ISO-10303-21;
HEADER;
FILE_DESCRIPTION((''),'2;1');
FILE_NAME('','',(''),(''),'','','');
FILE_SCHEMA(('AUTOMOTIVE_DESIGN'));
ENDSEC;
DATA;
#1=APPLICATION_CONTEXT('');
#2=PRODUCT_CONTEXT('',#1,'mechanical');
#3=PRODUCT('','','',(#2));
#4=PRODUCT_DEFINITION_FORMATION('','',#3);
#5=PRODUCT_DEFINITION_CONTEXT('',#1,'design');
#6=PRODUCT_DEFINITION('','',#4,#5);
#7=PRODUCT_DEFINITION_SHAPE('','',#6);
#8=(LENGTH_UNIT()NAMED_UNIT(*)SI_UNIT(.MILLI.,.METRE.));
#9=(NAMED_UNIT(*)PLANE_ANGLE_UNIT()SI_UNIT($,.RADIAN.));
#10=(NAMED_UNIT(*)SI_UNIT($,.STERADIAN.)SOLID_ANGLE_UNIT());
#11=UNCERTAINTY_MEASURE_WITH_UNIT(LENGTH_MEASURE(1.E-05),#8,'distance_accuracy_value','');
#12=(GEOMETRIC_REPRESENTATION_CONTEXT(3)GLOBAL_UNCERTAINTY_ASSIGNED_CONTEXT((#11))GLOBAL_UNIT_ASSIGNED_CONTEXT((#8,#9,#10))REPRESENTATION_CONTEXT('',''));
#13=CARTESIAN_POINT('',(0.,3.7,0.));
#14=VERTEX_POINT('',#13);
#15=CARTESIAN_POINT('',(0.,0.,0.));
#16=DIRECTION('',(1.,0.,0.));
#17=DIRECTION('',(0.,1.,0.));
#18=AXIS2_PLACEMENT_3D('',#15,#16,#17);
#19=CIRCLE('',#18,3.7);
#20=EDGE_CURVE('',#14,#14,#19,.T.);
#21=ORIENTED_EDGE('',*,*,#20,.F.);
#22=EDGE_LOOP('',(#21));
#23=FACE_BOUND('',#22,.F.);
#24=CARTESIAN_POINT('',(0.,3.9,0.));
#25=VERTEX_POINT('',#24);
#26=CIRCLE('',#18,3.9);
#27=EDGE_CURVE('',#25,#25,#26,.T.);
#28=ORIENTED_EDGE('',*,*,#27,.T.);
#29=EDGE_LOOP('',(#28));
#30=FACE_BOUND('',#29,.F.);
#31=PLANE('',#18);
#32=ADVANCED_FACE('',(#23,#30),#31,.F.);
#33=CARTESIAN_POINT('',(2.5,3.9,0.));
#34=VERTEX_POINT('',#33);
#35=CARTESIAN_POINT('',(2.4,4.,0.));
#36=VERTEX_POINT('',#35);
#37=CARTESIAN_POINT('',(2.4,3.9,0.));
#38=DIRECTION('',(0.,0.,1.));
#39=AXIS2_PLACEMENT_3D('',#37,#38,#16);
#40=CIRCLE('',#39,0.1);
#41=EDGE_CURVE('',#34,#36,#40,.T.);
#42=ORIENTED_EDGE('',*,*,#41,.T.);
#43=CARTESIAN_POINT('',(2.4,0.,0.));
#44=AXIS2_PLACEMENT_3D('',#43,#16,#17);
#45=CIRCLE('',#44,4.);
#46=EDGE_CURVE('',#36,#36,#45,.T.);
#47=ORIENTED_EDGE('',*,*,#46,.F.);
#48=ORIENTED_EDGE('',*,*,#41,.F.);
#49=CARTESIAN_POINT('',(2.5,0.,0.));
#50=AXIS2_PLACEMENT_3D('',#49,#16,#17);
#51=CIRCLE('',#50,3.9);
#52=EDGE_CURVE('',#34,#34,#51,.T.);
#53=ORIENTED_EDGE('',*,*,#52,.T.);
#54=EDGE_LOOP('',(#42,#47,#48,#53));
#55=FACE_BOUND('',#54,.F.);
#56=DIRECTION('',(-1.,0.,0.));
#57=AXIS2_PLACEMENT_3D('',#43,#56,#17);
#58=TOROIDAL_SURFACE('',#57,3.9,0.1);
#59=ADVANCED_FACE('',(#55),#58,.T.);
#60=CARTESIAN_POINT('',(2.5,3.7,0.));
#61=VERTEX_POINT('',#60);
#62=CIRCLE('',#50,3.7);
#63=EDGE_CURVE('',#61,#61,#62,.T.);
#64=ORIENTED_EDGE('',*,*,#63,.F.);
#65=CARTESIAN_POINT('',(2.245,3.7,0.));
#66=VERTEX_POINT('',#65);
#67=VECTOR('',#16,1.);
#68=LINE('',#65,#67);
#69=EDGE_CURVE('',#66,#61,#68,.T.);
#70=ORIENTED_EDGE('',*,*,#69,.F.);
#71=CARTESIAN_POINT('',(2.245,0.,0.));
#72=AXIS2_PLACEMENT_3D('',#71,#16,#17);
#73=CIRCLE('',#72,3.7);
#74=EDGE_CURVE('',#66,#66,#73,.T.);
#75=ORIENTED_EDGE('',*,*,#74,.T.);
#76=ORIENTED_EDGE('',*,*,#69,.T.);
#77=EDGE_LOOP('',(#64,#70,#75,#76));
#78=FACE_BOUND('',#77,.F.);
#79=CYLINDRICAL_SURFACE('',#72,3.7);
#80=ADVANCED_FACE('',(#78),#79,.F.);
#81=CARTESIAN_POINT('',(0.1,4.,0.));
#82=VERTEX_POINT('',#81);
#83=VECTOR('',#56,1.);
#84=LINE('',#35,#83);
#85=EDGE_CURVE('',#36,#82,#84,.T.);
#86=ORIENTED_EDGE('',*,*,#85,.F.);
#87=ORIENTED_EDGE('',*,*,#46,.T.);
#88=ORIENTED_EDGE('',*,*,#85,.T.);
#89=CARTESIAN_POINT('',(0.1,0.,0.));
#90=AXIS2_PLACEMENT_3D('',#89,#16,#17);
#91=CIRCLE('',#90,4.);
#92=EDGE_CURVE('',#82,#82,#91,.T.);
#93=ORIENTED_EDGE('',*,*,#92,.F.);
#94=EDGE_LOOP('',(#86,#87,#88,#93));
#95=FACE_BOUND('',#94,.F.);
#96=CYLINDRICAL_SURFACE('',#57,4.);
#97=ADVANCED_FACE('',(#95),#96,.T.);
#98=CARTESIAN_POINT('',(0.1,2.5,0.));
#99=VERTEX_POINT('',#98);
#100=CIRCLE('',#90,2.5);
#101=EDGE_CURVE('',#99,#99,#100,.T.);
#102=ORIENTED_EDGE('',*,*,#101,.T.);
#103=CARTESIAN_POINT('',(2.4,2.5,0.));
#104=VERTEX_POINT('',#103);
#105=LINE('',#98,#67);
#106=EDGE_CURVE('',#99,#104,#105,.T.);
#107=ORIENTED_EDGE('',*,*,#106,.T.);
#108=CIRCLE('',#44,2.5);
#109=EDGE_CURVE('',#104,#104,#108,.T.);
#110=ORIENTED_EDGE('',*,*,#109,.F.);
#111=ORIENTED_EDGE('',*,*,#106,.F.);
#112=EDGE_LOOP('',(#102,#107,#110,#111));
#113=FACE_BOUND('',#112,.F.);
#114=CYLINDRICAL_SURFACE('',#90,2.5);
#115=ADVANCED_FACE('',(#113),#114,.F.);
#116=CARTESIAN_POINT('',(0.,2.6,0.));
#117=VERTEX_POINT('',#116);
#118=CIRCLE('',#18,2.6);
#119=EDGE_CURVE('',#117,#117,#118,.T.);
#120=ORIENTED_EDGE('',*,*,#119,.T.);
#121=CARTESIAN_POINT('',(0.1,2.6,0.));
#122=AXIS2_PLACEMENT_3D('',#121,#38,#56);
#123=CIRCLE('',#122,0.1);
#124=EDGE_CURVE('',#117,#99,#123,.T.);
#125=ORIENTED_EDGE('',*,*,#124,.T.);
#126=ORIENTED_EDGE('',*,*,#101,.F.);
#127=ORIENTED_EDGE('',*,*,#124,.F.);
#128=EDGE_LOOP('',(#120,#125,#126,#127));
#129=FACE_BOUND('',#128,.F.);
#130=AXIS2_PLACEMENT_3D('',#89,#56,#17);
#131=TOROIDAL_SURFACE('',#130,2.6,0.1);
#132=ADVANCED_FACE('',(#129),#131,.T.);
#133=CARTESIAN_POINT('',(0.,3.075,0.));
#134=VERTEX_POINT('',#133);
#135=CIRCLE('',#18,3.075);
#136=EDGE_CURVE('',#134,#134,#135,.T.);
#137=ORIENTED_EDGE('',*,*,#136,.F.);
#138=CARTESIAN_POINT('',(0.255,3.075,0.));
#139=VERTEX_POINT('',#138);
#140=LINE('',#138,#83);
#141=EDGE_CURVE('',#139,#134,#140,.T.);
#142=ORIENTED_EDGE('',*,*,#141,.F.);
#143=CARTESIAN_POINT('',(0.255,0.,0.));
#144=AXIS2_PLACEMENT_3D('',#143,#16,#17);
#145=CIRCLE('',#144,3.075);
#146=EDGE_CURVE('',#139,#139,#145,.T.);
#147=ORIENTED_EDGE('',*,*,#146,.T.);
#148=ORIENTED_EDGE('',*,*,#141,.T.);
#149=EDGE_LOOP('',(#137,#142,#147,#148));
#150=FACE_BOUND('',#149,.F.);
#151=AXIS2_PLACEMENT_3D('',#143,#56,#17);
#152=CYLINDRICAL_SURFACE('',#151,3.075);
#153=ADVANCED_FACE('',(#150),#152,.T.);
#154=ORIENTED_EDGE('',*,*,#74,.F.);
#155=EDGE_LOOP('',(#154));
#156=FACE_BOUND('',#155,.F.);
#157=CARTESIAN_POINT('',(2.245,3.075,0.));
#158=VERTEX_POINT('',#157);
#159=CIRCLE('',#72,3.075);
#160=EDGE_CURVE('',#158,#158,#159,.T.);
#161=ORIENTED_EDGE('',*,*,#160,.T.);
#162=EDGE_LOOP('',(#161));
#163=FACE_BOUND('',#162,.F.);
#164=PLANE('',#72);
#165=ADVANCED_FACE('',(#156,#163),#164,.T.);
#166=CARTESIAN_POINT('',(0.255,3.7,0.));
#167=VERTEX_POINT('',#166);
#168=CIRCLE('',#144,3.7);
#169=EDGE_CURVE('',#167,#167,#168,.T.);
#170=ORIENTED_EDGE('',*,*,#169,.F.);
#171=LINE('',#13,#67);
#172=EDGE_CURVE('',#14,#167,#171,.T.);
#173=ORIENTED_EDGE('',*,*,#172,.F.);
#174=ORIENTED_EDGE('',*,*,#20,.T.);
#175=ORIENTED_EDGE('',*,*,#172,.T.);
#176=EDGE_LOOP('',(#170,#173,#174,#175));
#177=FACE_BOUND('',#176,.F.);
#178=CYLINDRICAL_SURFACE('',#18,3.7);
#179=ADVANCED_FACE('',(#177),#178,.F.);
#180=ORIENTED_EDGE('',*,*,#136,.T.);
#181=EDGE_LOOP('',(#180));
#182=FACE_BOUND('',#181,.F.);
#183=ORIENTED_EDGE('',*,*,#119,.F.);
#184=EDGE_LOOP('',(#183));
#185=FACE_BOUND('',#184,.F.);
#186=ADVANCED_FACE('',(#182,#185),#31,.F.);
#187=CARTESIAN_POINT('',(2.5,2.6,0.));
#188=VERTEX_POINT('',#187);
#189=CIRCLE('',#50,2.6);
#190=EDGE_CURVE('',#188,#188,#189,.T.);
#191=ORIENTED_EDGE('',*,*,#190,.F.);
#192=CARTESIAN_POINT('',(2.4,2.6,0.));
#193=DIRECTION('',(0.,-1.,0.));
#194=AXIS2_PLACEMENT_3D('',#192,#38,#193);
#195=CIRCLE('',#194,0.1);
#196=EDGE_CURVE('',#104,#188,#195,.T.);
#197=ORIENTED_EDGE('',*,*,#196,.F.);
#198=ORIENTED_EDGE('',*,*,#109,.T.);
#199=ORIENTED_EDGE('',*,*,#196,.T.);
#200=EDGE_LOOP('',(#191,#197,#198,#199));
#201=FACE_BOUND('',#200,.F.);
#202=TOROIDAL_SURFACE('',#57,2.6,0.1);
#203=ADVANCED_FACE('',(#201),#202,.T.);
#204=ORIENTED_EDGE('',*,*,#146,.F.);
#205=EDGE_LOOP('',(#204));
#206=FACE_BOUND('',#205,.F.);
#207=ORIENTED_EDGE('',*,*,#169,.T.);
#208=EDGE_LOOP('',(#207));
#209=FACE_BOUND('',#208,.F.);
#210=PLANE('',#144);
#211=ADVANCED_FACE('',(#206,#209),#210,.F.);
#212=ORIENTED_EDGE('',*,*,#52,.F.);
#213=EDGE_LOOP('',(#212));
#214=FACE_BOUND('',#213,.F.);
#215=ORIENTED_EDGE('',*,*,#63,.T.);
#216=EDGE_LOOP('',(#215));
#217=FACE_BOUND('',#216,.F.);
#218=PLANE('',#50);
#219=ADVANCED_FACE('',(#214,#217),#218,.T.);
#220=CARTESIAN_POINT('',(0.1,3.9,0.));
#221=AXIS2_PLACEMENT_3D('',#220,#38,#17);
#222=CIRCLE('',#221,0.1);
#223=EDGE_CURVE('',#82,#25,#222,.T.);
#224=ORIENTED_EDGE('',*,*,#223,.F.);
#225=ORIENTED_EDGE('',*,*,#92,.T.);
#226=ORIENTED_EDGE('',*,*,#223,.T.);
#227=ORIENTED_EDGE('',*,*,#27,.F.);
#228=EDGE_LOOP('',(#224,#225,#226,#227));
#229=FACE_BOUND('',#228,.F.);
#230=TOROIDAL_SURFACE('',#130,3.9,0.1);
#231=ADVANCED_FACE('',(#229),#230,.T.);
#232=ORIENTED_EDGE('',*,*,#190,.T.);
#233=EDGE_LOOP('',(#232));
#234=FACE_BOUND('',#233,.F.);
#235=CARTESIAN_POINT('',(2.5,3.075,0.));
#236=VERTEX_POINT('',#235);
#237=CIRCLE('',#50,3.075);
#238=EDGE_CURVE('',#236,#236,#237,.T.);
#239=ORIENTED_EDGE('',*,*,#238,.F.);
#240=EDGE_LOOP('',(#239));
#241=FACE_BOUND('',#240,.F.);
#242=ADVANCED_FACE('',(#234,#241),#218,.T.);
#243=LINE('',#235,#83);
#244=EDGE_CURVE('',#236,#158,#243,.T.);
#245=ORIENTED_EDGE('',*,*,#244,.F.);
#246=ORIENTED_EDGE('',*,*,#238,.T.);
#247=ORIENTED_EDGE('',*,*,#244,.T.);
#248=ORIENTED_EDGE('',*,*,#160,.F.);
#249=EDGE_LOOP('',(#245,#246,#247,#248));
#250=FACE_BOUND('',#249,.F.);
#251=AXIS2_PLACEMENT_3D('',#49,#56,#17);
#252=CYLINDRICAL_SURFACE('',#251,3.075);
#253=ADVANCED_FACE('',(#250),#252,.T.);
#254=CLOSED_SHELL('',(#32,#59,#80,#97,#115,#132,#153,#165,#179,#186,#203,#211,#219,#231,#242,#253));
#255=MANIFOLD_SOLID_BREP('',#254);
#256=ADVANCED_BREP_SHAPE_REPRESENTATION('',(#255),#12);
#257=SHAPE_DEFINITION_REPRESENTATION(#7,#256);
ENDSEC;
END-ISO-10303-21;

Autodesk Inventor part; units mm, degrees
sketch "Sketch_1" plane through (0, 0, 0) normal (0, 0, 1) x (1, 0, 0)
  line L0 (2.4, 0) -> (0.1, 0)
  arc A0 (0, 2.6) -> (0.1, 2.5) centre (0.1, 2.6) ccw
  line L1 (0.1, 2.5) -> (2.4, 2.5)
  arc A1 (2.4, 2.5) -> (2.5, 2.6) centre (2.4, 2.6) ccw
  line L2 (2.5, 2.6) -> (2.5, 3.075)
  line L3 (2.5, 3.075) -> (2.245, 3.075)
  line L4 (2.245, 3.075) -> (2.245, 3.7)
  line L5 (2.245, 3.7) -> (2.5, 3.7)
  line L6 (2.5, 3.7) -> (2.5, 3.9)
  arc A2 (2.5, 3.9) -> (2.4, 4) centre (2.4, 3.9) ccw
  line L7 (2.4, 4) -> (0.1, 4)
  arc A3 (0.1, 4) -> (0, 3.9) centre (0.1, 3.9) ccw
  line L8 (0, 3.9) -> (0, 3.7)
  line L9 (0, 3.7) -> (0.255, 3.7)
  line L10 (0.255, 3.7) -> (0.255, 3.075)
  line L11 (0.255, 3.075) -> (0, 3.075)
  line L12 (0, 3.075) -> (0, 2.6)
revolve "Revolution1" add sketch "Sketch_1" angle 360 about axis through (2.4, 0, 0) along (1, 0, 0)
ref_plane "to_housing_XY" through (0, 0, 0) normal (1, 0, 0) x (0, 0, -1)
ref_plane "to_housing_YZ" through (0, 0, 0) normal (0, 0, -1) x (0, 1, 0)
ref_plane "to_housing_ZX" through (0, 0, 0) normal (0, 1, 0) x (1, 0, 0)
ref_plane "to_housing_center_XY" through (1.25, 0, 0) normal (1, 0, 0) x (0, 0, -1)
ref_plane "to_housing_center_YZ" through (1.25, 0, 0) normal (0, 0, -1) x (0, 1, 0)
ref_plane "to_housing_center_ZX" through (1.25, 0, 0) normal (0, 1, 0) x (1, 0, 0)
properties part number "bearing_675"
